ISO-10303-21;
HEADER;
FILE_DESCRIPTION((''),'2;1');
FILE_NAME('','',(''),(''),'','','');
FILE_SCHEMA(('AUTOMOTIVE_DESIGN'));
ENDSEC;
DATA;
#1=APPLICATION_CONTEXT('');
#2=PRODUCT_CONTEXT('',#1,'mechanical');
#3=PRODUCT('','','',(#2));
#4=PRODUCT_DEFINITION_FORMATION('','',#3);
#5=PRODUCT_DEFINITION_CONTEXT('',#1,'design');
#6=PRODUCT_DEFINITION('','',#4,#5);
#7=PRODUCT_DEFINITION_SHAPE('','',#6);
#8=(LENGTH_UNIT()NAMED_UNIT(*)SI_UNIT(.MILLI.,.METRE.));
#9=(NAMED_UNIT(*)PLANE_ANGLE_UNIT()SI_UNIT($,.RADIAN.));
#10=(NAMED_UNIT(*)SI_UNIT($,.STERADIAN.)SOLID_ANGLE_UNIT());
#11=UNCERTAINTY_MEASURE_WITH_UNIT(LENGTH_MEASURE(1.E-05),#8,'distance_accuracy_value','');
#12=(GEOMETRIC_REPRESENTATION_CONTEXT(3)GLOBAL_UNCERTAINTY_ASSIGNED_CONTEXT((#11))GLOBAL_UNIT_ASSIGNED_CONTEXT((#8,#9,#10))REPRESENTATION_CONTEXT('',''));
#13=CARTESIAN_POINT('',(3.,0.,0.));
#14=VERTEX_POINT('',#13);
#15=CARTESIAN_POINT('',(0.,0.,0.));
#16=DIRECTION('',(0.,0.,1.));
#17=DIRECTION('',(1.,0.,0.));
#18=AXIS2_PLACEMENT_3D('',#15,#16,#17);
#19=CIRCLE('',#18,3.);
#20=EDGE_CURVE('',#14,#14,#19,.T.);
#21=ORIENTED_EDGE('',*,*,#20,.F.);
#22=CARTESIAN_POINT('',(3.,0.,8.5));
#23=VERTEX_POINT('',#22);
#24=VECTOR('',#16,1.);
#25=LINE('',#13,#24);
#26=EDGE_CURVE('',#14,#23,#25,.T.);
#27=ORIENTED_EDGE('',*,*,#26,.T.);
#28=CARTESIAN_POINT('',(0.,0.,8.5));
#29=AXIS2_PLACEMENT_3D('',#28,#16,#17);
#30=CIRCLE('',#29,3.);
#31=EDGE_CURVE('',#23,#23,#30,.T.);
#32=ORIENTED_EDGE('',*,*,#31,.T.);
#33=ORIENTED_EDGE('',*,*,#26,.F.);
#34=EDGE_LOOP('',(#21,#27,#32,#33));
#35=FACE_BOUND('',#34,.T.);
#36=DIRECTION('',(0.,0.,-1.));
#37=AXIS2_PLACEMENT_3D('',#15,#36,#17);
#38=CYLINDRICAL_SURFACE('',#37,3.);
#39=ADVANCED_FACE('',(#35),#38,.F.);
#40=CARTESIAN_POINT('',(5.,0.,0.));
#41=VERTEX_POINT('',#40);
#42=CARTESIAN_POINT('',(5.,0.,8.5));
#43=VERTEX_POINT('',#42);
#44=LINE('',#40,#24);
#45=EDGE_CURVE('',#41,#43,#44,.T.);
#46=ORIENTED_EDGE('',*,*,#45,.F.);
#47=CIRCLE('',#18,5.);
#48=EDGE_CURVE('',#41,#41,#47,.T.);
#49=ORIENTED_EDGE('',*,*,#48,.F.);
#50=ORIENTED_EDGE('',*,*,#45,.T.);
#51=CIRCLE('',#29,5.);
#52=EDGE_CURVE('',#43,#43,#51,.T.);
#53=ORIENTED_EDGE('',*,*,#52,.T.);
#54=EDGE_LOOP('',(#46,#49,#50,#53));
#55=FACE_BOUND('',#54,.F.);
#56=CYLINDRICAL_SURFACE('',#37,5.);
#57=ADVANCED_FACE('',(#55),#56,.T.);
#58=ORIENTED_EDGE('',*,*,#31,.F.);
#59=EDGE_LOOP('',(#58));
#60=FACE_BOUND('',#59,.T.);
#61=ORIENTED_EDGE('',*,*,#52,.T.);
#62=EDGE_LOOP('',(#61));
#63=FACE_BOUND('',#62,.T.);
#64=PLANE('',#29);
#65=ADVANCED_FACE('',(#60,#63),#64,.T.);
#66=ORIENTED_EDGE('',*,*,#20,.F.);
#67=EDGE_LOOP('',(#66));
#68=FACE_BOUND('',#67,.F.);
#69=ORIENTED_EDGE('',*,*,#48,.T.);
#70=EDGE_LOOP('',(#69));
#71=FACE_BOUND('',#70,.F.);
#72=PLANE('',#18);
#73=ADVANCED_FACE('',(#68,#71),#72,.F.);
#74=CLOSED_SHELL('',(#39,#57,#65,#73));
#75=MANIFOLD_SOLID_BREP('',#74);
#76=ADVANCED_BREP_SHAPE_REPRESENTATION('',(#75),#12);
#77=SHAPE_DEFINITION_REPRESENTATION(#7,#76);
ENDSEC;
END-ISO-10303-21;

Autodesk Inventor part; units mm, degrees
ref_plane "YZ Plane" through (0, 0, 0) normal (1, 0, 0) x (0, 1, 0)
ref_plane "XZ Plane" through (0, 0, 0) normal (0, 1, 0) x (-1, 0, 0)
ref_plane "XY Plane" through (0, 0, 0) normal (0, 0, 1) x (1, 0, 0)
sketch "Szkic1" plane through (0, 0, 0) normal (0, 0, 1) x (1, 0, 0)
  circle A0 centre (0, 0) radius 3
  circle A1 centre (0, 0) radius 5
  dimension "d0" = 6
  dimension "d1" = 10
extrude "Wyciągnięcie proste1" add sketch "Szkic1" along normal blind 8.5
properties part number "tuleja_M6_M10_8,5"
